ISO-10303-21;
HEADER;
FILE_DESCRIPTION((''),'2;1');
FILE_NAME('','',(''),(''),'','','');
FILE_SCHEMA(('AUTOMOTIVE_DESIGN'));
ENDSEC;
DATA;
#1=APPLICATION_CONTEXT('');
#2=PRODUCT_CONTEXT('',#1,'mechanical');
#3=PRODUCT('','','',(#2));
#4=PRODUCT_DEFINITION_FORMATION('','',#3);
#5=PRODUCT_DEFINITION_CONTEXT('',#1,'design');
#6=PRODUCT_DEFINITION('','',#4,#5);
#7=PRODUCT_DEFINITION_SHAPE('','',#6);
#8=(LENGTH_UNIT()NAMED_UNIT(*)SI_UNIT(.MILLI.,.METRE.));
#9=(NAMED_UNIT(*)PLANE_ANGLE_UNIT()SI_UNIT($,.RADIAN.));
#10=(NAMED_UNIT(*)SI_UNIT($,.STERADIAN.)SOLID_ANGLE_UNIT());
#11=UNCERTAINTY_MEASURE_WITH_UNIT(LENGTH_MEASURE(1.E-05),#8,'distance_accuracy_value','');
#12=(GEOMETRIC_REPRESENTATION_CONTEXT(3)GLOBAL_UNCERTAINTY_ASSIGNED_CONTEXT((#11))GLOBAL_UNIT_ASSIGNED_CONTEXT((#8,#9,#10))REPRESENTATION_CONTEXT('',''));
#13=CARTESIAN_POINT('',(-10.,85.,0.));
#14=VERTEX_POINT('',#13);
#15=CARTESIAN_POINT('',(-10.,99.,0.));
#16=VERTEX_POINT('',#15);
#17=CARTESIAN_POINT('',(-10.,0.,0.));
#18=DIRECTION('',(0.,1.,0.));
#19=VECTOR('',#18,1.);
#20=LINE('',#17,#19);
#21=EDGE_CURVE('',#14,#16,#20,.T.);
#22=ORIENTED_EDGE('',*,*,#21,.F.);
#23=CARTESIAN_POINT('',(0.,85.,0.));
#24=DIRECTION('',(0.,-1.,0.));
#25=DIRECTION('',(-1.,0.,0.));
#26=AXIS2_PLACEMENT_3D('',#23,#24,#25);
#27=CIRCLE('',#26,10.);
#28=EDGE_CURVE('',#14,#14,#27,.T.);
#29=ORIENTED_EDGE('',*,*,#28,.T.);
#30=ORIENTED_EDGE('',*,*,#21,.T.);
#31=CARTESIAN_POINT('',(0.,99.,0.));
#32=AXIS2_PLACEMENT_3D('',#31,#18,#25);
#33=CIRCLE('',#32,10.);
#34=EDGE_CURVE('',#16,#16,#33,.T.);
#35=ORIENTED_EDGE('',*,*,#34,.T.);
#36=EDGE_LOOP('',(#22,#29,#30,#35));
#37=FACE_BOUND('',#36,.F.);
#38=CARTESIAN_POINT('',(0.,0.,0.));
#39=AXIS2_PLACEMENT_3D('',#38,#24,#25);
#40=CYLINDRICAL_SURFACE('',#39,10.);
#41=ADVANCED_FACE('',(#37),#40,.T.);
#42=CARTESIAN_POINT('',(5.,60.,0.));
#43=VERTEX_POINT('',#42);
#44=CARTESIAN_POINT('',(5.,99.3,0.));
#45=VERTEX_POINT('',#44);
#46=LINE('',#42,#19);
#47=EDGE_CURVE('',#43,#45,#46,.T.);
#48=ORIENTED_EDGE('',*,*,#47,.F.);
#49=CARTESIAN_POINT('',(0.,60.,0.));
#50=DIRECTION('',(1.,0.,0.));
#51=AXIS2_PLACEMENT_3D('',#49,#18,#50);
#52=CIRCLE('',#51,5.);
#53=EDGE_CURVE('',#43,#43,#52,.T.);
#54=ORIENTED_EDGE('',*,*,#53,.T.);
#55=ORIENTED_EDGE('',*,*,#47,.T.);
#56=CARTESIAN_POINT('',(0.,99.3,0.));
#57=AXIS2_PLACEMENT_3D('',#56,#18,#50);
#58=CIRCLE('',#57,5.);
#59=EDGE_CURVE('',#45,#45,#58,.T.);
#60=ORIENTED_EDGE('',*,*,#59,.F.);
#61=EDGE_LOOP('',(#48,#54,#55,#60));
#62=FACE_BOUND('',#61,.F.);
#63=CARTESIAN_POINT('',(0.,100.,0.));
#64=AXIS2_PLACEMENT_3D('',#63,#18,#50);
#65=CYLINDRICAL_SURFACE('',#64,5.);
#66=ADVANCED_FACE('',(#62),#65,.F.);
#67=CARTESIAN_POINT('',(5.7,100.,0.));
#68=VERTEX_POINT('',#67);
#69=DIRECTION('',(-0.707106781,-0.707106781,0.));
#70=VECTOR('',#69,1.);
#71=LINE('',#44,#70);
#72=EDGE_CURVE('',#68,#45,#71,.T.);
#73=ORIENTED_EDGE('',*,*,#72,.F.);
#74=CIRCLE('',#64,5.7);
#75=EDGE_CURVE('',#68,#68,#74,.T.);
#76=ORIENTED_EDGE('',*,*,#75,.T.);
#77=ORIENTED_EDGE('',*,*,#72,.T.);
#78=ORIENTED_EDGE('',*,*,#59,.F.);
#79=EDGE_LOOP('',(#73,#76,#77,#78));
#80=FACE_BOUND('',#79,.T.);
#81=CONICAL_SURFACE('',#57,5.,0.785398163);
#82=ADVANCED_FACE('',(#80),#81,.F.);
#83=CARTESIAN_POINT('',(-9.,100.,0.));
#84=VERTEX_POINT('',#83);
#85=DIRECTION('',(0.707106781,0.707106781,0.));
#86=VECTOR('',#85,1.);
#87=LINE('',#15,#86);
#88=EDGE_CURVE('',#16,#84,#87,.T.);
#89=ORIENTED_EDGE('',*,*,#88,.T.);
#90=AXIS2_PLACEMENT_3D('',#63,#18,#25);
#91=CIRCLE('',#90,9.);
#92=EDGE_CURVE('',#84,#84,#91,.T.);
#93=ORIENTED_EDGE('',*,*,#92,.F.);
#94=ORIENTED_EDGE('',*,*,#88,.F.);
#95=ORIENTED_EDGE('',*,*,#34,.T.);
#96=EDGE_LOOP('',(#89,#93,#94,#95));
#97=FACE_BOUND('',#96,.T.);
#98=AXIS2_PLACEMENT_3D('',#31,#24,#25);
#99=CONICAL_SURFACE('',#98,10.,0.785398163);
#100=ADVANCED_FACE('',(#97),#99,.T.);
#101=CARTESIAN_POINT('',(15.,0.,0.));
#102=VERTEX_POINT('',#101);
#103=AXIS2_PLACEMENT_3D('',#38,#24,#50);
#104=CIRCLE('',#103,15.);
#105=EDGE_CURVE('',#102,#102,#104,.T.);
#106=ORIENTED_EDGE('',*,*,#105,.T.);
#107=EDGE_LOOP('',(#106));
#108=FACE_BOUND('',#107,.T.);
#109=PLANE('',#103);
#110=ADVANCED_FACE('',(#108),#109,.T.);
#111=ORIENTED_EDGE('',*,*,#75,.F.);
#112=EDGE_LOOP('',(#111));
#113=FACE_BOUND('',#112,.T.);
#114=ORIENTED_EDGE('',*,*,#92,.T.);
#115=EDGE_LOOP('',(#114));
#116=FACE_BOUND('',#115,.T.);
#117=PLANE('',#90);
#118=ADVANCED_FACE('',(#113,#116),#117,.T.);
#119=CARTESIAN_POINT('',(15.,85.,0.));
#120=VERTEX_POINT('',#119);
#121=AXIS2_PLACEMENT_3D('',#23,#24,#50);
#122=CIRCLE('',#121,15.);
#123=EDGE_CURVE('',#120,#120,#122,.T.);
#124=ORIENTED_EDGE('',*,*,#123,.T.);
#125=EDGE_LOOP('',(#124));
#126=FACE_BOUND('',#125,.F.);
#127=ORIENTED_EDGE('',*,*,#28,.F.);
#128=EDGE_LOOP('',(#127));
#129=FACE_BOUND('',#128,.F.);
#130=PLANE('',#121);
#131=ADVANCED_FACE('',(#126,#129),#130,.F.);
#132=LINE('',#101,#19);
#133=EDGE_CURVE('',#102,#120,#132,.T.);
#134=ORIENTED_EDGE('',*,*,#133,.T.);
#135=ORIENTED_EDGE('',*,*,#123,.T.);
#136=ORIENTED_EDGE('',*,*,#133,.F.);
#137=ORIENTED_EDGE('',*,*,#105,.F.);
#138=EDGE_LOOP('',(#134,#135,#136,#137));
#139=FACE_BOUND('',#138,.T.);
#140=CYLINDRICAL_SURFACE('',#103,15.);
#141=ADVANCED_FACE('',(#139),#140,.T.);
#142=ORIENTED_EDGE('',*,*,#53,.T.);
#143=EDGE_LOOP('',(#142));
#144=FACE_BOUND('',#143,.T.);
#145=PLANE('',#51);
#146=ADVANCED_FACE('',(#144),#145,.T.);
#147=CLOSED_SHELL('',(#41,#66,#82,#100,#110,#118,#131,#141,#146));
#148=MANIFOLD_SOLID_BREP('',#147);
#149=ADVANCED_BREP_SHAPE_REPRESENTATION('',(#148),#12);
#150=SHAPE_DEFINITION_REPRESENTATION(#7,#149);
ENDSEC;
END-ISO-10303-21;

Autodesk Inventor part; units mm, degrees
ref_plane "YZ Plane" through (0, 0, 0) normal (1, 0, 0) x (0, 1, 0)
ref_plane "XZ Plane" through (0, 0, 0) normal (0, 1, 0) x (-1, 0, 0)
ref_plane "XY Plane" through (0, 0, 0) normal (0, 0, 1) x (1, 0, 0)
sketch "Sketch1" plane through (0, 0, 0) normal (0, 1, 0) x (-1, 0, 0)
  circle A0 centre (0, 0) radius 10
  dimension "d0" = 20
extrude "Extrusion1" add sketch "Sketch1" along normal blind 100
sketch "Sketch2" plane through (0, 100, 0) normal (0, 1, 0) x (1, 0, 0)
  circle A0 centre (0, 0) radius 5
  dimension "d3" = 10
extrude "Extrusion2" cut sketch "Sketch2" against normal blind 30
thread "Thread1" size "M10x1.5" class "6H" standard "ANSI Metric M Profile" full length
chamfer "Chamfer1" distance 1 angle 45 1 edges at (10, 100, 0)
chamfer "Chamfer2" distance 0.7 angle 45 1 edges at (-5, 100, 0)
sketch "Sketch8" plane through (0, 0, 0) normal (0, -1, 0) x (1, 0, 0)
  circle A0 centre (0, 0) radius 15
  dimension "d49" = 30
extrude "Extrusion3" add sketch "Sketch8" against normal blind 85
sketch "Sketch9" plane through (0, 85, 0) normal (0, 1, 0) x (1, 0, 0)
  circle A0 centre (0, 0) radius 5 projected
extrude "Extrusion4" cut sketch "Sketch9" against normal blind 25
sketch "Sketch3" plane through (0, 70, 0) normal (0, 1, 0) x (1, 0, 0)
  point P0 (0, 0)
sketch "Sketch4" plane through (0, 70, 0) normal (0, 1, 0) x (1, 0, 0)
  point P0 (0, 0)
sketch "Sketch5" plane through (0, 70, 0) normal (0, 1, 0) x (1, 0, 0)
  point P0 (0, 0)
sketch "Sketch6" plane through (0, 70, 0) normal (0, 1, 0) x (1, 0, 0)
  point P0 (0, 0)
sketch "Sketch7" plane through (0, 70, 0) normal (0, 1, 0) x (1, 0, 0)
  point P0 (0, 0)
properties part number "rączka_korby" material "ABS Plastic"
